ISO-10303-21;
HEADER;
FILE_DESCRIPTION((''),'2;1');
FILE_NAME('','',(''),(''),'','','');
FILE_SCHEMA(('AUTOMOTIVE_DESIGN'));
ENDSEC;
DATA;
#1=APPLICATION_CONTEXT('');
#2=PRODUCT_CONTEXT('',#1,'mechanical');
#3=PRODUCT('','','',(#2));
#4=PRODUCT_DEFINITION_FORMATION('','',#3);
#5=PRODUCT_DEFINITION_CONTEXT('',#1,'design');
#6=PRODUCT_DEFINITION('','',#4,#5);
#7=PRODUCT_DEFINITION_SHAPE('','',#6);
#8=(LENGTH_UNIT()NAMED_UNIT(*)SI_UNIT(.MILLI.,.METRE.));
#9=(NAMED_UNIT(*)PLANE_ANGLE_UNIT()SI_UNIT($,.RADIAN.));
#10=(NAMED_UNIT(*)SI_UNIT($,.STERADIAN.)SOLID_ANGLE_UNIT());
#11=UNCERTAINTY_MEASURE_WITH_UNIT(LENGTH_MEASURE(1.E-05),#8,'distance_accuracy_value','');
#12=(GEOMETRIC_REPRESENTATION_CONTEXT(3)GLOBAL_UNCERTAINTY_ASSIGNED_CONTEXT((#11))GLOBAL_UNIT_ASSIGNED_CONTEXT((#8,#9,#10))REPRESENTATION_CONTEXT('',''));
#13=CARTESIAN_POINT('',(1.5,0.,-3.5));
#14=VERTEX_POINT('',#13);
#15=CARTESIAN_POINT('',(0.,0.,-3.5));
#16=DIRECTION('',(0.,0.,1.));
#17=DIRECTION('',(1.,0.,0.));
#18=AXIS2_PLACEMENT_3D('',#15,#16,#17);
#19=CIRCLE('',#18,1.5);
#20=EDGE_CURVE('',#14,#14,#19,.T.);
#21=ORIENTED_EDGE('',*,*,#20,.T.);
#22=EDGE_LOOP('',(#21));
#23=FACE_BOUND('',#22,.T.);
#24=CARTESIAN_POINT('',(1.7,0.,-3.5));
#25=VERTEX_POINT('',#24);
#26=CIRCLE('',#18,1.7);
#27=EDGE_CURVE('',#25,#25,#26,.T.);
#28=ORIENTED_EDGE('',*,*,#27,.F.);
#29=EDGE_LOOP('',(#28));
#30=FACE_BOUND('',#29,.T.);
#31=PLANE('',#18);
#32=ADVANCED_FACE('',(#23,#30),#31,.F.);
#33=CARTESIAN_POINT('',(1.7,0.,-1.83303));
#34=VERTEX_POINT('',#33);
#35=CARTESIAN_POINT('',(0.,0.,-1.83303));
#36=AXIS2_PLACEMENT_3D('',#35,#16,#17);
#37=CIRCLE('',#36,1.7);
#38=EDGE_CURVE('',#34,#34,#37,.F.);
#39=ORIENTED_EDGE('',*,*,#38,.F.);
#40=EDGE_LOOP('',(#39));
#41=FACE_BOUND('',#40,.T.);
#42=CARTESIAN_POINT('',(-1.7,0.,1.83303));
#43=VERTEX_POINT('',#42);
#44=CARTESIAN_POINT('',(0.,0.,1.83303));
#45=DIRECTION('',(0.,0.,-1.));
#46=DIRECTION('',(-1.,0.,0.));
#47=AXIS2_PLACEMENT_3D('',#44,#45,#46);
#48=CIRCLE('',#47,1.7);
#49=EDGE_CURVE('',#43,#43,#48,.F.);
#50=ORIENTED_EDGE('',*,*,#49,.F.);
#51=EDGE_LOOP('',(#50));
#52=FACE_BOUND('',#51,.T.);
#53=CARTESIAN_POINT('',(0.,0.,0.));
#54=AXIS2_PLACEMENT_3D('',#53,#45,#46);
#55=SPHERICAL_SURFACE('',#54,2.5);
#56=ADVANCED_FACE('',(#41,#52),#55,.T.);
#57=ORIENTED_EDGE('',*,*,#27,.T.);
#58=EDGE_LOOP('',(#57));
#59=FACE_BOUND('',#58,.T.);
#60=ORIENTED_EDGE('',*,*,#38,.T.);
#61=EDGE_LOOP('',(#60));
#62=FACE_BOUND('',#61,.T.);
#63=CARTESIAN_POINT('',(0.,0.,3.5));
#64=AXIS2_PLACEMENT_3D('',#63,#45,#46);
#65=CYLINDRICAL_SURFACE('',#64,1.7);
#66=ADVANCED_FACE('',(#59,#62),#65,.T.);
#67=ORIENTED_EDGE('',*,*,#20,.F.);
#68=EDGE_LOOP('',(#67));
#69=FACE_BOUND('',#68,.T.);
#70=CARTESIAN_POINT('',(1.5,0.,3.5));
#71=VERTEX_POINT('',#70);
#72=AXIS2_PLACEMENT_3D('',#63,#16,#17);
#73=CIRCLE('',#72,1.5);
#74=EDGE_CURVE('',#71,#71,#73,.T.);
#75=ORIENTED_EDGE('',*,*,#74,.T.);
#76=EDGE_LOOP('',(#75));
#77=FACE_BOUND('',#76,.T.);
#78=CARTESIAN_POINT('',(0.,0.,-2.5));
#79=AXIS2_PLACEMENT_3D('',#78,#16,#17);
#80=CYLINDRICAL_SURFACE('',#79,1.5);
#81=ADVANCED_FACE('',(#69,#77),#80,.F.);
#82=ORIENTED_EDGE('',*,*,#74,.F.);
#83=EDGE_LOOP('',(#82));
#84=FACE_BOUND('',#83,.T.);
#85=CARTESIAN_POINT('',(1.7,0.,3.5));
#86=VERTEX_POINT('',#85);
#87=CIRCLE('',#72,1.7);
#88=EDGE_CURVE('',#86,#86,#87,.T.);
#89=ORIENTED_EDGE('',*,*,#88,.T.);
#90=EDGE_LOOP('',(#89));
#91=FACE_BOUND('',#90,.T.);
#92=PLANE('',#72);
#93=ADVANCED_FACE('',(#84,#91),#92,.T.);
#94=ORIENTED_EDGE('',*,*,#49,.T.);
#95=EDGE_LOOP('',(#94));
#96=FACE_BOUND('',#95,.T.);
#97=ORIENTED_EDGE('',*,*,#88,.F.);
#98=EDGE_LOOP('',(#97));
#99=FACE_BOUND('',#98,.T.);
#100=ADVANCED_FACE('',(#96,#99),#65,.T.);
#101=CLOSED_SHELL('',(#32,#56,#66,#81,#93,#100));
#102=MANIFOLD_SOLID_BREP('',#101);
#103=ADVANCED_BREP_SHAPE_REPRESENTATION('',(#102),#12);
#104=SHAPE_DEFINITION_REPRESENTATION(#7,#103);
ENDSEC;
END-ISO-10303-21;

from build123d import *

# Parameters (mm, degrees)
SKETCH2_R               = 1.5
CUT_EXTRUDE1_DEPTH      = 3.5
CUT_EXTRUDE1_DEPTH_BACK = 3.5
SKETCH2_3_R             = 1.7
SKETCH2_3_R_2           = 1.5
BOSS_EXTRUDE1_DEPTH     = 3.5


with BuildPart() as part:
    # Sketch1 one side → Revolve1 (revolve)
    with BuildSketch(Plane.XY):
        with BuildLine():
            ThreePointArc((0, -2.5), (1.767766953, -1.767766953), (2.5, 0))
            ThreePointArc((2.5, 0), (1.767766953, 1.767766953), (0, 2.5))
            Line((0, 2.5), (0, -2.5))
        make_face()
    revolve(axis=Axis((0, 2.75, 0), (0, -1, 0)))

    # Sketch2 → Cut-Extrude1 (cut, two sides)
    with BuildSketch(Plane.XY) as cut_extrude1_sk:
        Circle(SKETCH2_R)
    extrude(amount=CUT_EXTRUDE1_DEPTH, mode=Mode.SUBTRACT)
    extrude(cut_extrude1_sk.sketch, amount=-CUT_EXTRUDE1_DEPTH_BACK, mode=Mode.SUBTRACT)

    # Sketch2<3> → Boss-Extrude1 (add, symmetric)
    with BuildSketch(Plane.XY):
        Circle(SKETCH2_3_R)
        Circle(SKETCH2_3_R_2, mode=Mode.SUBTRACT)
    extrude(amount=BOSS_EXTRUDE1_DEPTH, both=True)


solid = part.part
